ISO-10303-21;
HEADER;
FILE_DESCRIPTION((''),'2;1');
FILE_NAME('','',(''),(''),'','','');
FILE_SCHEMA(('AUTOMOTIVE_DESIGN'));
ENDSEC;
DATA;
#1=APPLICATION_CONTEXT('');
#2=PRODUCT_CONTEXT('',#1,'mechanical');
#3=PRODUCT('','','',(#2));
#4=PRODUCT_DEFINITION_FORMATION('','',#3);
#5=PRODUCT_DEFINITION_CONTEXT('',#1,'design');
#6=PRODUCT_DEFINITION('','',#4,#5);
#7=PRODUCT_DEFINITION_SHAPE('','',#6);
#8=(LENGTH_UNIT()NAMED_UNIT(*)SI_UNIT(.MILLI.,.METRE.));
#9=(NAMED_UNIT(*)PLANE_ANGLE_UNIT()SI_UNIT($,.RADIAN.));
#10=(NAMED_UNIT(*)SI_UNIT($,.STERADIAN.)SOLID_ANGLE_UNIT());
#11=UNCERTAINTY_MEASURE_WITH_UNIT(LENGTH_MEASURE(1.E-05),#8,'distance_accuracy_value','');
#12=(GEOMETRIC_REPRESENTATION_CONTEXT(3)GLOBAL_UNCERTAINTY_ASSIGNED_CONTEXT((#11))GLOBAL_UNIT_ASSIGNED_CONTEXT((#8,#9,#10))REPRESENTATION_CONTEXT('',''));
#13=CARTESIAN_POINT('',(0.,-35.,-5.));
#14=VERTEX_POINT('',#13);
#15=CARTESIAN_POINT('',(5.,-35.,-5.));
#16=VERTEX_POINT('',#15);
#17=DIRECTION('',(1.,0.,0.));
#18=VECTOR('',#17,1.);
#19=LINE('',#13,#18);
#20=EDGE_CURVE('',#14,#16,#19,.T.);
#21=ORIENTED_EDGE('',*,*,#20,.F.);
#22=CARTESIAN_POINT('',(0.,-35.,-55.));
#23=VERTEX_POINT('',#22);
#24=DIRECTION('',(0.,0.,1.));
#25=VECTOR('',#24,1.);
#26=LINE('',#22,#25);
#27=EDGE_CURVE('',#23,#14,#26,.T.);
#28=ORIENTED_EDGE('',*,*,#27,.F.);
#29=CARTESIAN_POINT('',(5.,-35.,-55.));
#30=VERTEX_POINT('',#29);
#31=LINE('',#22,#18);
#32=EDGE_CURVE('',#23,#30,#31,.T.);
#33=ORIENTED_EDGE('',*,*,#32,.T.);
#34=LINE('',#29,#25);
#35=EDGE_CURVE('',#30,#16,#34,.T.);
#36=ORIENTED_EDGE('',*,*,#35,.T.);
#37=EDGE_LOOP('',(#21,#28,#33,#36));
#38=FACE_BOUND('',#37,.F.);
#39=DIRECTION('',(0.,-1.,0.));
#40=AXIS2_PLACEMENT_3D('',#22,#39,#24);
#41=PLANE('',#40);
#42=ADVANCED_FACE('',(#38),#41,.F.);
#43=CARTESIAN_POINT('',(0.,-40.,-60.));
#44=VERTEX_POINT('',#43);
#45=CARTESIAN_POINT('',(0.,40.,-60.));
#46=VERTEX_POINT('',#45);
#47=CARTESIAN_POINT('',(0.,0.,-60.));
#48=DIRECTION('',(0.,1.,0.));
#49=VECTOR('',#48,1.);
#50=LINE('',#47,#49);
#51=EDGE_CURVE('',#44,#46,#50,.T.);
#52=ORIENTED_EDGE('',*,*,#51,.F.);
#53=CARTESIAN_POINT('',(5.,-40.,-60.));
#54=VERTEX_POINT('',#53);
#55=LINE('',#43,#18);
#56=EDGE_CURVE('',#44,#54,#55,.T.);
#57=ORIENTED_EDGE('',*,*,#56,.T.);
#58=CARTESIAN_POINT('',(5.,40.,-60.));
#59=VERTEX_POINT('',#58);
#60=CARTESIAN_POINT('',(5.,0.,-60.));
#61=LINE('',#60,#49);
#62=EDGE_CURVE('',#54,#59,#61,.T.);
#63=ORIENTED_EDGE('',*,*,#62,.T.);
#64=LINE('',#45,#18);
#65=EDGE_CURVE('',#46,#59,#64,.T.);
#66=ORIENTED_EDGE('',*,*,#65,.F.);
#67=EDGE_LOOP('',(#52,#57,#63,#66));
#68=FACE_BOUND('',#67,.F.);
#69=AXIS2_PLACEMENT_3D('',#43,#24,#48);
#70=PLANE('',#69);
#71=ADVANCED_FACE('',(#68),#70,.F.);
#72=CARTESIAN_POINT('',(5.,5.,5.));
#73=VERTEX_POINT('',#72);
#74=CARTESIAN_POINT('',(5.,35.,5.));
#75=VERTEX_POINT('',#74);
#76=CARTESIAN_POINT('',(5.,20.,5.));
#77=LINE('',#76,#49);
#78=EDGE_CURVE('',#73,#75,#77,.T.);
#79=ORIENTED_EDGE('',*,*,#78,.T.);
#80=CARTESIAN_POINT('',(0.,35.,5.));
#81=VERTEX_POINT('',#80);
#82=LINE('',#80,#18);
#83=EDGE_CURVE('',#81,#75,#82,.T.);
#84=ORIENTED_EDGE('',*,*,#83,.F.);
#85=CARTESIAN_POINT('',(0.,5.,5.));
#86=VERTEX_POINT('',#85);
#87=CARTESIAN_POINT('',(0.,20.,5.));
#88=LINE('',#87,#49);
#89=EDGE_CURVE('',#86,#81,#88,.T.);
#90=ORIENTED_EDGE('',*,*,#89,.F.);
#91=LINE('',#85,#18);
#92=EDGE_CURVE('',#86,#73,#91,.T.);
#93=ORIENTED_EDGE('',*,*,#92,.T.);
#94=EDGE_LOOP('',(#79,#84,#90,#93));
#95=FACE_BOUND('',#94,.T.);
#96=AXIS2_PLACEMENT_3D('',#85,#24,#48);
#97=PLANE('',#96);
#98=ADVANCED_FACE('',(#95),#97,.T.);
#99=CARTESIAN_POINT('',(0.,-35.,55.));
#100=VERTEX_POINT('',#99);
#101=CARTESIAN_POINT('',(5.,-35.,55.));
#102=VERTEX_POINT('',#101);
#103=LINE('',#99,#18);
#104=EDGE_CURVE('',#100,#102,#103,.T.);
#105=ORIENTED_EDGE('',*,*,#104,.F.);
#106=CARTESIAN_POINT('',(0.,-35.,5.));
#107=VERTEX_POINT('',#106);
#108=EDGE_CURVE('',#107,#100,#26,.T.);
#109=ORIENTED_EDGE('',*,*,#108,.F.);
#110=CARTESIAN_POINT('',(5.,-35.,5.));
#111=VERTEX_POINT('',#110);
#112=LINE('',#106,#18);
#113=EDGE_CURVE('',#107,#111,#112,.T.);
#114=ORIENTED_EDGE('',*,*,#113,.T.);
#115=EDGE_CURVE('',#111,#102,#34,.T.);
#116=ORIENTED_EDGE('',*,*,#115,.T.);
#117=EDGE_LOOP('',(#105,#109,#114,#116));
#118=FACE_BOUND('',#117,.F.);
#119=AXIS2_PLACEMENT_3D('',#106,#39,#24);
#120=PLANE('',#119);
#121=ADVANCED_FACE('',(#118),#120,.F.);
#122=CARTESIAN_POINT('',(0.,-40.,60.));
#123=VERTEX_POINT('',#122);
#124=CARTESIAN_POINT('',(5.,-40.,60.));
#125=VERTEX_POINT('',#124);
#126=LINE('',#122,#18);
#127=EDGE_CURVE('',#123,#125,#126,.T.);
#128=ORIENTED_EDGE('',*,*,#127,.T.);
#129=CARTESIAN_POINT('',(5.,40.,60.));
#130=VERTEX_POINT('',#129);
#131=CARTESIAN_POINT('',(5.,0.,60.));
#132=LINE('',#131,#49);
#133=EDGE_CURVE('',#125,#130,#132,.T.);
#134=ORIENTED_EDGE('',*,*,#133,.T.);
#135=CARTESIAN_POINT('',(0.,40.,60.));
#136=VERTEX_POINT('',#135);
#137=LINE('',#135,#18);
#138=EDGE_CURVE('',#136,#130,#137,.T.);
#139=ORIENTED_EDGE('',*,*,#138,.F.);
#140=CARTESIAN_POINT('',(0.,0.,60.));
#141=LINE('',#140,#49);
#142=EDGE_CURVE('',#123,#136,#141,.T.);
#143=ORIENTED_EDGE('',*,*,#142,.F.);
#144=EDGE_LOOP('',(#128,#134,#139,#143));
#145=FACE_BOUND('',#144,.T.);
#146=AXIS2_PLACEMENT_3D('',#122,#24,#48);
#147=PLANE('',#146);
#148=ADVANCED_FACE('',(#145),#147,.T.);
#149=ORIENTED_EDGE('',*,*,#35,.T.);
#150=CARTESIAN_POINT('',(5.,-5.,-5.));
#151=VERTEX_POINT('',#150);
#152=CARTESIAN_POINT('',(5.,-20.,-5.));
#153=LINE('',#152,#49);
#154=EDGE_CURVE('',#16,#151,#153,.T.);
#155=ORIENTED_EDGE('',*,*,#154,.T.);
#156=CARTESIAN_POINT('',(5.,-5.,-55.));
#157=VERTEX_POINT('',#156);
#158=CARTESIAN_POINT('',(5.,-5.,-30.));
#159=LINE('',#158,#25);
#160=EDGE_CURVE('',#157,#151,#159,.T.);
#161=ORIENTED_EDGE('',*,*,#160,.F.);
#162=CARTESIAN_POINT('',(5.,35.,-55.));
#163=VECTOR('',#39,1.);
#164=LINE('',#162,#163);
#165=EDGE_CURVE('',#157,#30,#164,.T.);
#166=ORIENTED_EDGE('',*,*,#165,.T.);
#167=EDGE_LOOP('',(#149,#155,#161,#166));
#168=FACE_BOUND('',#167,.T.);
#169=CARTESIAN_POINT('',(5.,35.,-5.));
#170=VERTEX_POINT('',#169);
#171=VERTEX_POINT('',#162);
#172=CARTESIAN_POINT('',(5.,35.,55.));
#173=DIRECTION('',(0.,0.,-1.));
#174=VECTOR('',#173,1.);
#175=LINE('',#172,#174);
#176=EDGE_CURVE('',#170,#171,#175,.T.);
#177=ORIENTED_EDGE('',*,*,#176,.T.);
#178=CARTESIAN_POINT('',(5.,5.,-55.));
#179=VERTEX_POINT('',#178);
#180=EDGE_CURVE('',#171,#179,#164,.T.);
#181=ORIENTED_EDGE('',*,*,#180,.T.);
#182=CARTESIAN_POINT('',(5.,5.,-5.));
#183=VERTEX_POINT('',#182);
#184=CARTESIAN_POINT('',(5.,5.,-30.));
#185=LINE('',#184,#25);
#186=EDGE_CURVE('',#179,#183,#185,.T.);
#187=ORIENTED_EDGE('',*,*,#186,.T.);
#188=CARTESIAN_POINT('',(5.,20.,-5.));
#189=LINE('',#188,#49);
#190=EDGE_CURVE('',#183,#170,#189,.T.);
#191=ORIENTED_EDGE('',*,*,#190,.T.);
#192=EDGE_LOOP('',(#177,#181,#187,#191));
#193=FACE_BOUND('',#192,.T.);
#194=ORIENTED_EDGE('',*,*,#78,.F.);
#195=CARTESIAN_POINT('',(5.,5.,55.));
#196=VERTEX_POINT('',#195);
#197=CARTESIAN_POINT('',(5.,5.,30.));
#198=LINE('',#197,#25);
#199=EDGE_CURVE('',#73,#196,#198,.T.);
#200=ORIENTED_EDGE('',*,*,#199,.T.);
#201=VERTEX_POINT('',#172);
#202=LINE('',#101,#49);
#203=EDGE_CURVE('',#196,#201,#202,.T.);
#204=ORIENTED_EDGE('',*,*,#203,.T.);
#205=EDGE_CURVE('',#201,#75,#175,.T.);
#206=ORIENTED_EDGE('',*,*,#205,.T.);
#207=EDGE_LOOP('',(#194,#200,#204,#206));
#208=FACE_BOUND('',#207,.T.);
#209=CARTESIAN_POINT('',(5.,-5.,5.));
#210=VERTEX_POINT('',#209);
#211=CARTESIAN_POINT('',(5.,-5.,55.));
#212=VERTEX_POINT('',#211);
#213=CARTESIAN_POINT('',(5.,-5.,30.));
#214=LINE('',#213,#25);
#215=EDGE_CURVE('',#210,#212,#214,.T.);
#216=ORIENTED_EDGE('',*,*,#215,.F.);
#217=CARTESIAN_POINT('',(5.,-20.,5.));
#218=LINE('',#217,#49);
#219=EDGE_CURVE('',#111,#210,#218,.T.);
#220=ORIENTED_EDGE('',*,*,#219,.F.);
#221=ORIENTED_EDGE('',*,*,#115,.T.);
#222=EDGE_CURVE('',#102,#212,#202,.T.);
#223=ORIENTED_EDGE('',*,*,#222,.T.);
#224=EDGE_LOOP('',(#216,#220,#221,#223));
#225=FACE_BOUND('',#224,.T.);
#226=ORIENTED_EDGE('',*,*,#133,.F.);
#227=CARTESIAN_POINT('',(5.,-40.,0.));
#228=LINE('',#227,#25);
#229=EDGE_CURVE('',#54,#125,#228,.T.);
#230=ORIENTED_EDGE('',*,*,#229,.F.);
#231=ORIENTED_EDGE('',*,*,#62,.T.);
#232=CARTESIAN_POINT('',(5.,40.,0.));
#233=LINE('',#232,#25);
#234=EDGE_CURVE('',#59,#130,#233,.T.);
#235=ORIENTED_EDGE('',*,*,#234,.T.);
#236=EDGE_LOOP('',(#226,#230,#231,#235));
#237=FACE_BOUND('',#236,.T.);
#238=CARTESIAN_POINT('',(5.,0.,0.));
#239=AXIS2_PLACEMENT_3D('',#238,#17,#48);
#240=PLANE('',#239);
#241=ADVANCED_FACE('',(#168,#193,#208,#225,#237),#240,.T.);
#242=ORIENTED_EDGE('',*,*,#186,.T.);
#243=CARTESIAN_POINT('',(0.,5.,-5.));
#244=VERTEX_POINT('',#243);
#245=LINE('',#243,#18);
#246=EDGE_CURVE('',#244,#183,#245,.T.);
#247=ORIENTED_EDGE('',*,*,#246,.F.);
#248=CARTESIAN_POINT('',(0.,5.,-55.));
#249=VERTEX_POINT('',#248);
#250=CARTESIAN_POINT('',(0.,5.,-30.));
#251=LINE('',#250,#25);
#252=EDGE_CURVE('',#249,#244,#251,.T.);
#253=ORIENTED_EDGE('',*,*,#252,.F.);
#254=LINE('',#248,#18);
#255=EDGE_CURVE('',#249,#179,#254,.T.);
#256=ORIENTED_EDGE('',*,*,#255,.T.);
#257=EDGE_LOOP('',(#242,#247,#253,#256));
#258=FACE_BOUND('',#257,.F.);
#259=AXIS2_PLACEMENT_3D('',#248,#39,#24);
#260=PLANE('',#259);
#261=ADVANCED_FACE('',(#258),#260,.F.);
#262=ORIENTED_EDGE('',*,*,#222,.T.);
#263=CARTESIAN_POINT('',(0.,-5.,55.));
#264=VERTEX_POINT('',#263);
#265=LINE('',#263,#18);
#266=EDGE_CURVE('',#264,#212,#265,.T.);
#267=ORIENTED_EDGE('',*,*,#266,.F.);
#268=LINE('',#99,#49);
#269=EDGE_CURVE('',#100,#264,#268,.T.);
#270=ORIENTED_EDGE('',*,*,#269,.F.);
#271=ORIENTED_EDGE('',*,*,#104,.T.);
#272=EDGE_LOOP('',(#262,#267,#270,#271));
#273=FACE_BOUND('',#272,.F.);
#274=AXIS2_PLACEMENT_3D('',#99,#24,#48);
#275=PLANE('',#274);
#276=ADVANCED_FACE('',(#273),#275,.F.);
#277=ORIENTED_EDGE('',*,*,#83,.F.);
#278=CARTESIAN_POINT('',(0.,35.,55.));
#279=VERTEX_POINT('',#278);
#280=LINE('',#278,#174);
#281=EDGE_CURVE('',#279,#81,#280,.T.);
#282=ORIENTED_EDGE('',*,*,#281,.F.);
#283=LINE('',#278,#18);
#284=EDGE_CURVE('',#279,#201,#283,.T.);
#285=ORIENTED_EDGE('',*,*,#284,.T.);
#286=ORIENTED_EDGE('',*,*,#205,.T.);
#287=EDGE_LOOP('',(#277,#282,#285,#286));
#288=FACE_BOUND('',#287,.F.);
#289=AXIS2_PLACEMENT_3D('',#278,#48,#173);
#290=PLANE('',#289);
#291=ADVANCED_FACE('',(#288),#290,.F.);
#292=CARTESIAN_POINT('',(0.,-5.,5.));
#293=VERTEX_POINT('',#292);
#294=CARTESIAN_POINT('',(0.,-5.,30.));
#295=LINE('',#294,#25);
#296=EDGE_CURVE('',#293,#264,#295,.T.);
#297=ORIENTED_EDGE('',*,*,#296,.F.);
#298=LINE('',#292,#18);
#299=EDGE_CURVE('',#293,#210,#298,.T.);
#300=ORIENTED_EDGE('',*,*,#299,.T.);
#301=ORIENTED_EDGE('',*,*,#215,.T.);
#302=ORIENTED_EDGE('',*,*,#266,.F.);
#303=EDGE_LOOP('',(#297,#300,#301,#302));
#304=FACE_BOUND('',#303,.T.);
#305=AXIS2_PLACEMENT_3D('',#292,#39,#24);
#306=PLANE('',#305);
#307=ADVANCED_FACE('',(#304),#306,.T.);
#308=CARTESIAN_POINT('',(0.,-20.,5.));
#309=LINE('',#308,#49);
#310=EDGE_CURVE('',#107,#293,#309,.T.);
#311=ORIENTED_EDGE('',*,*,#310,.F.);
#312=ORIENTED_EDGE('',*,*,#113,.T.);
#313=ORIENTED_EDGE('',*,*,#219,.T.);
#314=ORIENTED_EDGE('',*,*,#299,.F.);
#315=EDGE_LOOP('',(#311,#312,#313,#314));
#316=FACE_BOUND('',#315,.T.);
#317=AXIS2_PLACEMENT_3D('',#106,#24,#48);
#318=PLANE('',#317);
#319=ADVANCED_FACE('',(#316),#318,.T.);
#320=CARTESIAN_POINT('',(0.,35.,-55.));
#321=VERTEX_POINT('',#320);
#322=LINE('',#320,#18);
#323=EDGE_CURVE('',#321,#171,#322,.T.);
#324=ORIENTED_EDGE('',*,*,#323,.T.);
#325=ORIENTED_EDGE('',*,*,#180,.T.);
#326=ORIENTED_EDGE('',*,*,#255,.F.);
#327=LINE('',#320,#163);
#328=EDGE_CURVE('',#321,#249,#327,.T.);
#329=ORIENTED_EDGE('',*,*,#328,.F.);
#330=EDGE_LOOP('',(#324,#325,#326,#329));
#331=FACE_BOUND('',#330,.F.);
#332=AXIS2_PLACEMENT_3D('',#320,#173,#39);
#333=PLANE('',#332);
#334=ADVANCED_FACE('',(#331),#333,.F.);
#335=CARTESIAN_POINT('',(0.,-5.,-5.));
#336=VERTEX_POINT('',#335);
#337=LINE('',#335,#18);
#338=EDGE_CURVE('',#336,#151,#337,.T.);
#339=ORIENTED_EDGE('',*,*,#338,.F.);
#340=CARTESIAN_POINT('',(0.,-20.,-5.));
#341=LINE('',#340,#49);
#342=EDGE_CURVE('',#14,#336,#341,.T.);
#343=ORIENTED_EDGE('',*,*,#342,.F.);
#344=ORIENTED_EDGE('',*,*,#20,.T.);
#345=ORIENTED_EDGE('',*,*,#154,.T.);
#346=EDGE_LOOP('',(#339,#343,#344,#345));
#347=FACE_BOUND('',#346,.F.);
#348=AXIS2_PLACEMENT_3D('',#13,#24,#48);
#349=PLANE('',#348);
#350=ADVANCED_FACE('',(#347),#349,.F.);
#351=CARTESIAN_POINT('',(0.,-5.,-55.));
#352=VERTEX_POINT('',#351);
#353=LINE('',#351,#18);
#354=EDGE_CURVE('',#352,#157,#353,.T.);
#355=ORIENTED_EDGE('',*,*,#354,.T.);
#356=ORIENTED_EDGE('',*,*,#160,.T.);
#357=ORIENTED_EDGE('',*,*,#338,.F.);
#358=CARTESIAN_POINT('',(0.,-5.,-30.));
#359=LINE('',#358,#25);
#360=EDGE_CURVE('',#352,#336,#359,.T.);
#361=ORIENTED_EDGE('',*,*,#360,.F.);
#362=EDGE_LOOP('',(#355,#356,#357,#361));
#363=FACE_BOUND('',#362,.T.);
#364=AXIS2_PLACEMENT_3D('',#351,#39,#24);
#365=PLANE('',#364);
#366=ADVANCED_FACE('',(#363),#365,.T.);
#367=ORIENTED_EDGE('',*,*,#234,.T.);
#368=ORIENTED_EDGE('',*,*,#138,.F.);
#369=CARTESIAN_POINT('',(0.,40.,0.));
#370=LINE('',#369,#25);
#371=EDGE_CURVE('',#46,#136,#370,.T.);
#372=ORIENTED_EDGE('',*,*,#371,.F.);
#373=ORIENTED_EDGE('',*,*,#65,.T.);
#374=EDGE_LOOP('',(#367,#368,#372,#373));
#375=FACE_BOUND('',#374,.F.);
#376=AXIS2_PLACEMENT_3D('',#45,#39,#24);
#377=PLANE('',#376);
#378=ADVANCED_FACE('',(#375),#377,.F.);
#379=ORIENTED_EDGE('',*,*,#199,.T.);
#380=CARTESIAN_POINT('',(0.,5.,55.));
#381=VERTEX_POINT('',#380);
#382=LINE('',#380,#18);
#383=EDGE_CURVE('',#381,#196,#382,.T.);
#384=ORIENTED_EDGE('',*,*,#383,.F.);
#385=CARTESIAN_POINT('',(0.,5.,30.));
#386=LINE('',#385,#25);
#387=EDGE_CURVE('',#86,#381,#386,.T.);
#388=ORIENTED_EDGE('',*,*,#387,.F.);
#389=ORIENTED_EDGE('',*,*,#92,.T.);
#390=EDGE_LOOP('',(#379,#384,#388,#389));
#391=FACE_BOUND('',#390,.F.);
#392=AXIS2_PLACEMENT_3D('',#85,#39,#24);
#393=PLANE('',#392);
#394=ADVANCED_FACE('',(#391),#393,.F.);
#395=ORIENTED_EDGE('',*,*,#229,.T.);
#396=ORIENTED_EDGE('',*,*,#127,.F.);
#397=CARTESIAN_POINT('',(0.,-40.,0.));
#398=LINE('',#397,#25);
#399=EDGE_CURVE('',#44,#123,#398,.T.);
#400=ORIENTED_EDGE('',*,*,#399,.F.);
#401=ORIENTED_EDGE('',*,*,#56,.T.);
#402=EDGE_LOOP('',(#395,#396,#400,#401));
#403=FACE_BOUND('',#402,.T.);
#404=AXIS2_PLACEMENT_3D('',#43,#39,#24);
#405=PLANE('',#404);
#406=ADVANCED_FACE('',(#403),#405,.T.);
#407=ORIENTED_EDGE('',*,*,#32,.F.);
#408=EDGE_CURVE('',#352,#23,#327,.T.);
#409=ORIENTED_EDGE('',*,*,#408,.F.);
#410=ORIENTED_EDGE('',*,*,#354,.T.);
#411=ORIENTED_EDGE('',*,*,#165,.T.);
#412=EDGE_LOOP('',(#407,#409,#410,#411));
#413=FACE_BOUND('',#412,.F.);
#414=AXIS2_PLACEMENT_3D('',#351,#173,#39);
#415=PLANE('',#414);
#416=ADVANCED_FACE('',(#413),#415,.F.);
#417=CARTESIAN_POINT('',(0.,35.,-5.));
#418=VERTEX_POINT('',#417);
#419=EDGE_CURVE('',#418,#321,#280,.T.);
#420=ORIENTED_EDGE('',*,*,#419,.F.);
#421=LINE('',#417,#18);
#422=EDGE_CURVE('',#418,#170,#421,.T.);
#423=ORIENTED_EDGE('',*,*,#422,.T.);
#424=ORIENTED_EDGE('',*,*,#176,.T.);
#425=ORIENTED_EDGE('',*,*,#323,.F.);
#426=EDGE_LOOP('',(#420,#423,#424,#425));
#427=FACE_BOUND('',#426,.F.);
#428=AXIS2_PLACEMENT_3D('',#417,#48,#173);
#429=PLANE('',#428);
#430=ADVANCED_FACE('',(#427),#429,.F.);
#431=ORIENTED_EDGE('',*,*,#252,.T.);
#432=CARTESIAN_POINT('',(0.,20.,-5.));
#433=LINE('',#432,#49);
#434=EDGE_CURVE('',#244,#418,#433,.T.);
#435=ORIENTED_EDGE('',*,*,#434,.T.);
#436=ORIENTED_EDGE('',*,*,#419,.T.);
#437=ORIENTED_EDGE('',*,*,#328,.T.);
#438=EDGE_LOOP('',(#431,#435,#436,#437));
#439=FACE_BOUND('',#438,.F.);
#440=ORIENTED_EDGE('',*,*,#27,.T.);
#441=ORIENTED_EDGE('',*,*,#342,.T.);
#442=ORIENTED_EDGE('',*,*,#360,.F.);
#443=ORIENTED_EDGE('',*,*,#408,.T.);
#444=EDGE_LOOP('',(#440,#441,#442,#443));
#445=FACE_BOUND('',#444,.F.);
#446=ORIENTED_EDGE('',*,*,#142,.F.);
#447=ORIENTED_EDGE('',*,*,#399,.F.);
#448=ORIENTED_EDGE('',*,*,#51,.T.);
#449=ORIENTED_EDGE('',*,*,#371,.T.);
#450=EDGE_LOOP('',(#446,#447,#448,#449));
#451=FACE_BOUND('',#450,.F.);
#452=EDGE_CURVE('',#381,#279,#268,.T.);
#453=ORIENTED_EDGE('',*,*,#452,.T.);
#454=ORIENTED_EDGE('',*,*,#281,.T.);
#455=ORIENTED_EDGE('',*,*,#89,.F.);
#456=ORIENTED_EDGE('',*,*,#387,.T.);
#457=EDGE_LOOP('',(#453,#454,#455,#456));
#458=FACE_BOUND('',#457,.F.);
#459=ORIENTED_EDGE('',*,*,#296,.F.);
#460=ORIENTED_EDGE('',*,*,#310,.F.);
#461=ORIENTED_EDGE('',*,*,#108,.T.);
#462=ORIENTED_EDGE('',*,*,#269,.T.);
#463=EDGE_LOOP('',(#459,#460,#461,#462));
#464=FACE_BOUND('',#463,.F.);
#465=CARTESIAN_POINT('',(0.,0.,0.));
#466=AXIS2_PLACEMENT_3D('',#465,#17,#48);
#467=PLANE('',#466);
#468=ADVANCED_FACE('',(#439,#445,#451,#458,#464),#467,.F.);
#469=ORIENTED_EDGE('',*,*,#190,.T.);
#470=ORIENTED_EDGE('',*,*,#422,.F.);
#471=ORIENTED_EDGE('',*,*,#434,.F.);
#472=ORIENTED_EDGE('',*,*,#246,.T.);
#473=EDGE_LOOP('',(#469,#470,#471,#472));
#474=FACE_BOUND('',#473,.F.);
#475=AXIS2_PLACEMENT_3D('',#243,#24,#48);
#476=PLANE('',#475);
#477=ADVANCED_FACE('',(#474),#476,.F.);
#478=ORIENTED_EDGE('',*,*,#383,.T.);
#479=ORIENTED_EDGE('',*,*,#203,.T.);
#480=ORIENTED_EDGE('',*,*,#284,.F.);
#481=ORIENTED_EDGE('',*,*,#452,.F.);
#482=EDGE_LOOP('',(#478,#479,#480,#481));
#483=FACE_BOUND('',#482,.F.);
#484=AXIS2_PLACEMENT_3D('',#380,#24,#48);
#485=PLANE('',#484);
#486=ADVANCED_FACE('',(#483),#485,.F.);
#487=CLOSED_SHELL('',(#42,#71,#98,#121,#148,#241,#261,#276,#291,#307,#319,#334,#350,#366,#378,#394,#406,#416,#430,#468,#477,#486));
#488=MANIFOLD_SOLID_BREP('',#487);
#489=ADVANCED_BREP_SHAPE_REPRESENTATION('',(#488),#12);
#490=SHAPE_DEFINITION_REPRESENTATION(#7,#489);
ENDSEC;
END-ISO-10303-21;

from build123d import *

# Parameters (mm, degrees)
F0_W     = 80
F0_H     = 120
F0_W_2   = 10
F0_H_2   = 50
F0_W_3   = 30
F0_H_3   = 10
F1_DEPTH = 5


with BuildPart() as f1:
    # F0 (on Right) → F1 (new body)
    with BuildSketch(Plane.YZ):
        Rectangle(F0_W, F0_H)
        Polygon((35, -5), (35, -55), (5, -55), (-5, -55), (-35, -55), (-35, -5), (-35, 5), (-35, 55), (-5, 55), (5, 55), (35, 55), (35, 5), align=None, mode=Mode.SUBTRACT)
        with Locations((0, -30)):
            Rectangle(F0_W_2, F0_H_2)
        with Locations((0, 30)):
            Rectangle(F0_W_2, F0_H_2)
        with Locations((-20, 0)):
            Rectangle(F0_W_3, F0_H_3)
        with Locations((20, 0)):
            Rectangle(F0_W_3, F0_H_3)
        Rectangle(F0_W_2, F0_H_3)
    extrude(amount=F1_DEPTH)


solid = f1.part
